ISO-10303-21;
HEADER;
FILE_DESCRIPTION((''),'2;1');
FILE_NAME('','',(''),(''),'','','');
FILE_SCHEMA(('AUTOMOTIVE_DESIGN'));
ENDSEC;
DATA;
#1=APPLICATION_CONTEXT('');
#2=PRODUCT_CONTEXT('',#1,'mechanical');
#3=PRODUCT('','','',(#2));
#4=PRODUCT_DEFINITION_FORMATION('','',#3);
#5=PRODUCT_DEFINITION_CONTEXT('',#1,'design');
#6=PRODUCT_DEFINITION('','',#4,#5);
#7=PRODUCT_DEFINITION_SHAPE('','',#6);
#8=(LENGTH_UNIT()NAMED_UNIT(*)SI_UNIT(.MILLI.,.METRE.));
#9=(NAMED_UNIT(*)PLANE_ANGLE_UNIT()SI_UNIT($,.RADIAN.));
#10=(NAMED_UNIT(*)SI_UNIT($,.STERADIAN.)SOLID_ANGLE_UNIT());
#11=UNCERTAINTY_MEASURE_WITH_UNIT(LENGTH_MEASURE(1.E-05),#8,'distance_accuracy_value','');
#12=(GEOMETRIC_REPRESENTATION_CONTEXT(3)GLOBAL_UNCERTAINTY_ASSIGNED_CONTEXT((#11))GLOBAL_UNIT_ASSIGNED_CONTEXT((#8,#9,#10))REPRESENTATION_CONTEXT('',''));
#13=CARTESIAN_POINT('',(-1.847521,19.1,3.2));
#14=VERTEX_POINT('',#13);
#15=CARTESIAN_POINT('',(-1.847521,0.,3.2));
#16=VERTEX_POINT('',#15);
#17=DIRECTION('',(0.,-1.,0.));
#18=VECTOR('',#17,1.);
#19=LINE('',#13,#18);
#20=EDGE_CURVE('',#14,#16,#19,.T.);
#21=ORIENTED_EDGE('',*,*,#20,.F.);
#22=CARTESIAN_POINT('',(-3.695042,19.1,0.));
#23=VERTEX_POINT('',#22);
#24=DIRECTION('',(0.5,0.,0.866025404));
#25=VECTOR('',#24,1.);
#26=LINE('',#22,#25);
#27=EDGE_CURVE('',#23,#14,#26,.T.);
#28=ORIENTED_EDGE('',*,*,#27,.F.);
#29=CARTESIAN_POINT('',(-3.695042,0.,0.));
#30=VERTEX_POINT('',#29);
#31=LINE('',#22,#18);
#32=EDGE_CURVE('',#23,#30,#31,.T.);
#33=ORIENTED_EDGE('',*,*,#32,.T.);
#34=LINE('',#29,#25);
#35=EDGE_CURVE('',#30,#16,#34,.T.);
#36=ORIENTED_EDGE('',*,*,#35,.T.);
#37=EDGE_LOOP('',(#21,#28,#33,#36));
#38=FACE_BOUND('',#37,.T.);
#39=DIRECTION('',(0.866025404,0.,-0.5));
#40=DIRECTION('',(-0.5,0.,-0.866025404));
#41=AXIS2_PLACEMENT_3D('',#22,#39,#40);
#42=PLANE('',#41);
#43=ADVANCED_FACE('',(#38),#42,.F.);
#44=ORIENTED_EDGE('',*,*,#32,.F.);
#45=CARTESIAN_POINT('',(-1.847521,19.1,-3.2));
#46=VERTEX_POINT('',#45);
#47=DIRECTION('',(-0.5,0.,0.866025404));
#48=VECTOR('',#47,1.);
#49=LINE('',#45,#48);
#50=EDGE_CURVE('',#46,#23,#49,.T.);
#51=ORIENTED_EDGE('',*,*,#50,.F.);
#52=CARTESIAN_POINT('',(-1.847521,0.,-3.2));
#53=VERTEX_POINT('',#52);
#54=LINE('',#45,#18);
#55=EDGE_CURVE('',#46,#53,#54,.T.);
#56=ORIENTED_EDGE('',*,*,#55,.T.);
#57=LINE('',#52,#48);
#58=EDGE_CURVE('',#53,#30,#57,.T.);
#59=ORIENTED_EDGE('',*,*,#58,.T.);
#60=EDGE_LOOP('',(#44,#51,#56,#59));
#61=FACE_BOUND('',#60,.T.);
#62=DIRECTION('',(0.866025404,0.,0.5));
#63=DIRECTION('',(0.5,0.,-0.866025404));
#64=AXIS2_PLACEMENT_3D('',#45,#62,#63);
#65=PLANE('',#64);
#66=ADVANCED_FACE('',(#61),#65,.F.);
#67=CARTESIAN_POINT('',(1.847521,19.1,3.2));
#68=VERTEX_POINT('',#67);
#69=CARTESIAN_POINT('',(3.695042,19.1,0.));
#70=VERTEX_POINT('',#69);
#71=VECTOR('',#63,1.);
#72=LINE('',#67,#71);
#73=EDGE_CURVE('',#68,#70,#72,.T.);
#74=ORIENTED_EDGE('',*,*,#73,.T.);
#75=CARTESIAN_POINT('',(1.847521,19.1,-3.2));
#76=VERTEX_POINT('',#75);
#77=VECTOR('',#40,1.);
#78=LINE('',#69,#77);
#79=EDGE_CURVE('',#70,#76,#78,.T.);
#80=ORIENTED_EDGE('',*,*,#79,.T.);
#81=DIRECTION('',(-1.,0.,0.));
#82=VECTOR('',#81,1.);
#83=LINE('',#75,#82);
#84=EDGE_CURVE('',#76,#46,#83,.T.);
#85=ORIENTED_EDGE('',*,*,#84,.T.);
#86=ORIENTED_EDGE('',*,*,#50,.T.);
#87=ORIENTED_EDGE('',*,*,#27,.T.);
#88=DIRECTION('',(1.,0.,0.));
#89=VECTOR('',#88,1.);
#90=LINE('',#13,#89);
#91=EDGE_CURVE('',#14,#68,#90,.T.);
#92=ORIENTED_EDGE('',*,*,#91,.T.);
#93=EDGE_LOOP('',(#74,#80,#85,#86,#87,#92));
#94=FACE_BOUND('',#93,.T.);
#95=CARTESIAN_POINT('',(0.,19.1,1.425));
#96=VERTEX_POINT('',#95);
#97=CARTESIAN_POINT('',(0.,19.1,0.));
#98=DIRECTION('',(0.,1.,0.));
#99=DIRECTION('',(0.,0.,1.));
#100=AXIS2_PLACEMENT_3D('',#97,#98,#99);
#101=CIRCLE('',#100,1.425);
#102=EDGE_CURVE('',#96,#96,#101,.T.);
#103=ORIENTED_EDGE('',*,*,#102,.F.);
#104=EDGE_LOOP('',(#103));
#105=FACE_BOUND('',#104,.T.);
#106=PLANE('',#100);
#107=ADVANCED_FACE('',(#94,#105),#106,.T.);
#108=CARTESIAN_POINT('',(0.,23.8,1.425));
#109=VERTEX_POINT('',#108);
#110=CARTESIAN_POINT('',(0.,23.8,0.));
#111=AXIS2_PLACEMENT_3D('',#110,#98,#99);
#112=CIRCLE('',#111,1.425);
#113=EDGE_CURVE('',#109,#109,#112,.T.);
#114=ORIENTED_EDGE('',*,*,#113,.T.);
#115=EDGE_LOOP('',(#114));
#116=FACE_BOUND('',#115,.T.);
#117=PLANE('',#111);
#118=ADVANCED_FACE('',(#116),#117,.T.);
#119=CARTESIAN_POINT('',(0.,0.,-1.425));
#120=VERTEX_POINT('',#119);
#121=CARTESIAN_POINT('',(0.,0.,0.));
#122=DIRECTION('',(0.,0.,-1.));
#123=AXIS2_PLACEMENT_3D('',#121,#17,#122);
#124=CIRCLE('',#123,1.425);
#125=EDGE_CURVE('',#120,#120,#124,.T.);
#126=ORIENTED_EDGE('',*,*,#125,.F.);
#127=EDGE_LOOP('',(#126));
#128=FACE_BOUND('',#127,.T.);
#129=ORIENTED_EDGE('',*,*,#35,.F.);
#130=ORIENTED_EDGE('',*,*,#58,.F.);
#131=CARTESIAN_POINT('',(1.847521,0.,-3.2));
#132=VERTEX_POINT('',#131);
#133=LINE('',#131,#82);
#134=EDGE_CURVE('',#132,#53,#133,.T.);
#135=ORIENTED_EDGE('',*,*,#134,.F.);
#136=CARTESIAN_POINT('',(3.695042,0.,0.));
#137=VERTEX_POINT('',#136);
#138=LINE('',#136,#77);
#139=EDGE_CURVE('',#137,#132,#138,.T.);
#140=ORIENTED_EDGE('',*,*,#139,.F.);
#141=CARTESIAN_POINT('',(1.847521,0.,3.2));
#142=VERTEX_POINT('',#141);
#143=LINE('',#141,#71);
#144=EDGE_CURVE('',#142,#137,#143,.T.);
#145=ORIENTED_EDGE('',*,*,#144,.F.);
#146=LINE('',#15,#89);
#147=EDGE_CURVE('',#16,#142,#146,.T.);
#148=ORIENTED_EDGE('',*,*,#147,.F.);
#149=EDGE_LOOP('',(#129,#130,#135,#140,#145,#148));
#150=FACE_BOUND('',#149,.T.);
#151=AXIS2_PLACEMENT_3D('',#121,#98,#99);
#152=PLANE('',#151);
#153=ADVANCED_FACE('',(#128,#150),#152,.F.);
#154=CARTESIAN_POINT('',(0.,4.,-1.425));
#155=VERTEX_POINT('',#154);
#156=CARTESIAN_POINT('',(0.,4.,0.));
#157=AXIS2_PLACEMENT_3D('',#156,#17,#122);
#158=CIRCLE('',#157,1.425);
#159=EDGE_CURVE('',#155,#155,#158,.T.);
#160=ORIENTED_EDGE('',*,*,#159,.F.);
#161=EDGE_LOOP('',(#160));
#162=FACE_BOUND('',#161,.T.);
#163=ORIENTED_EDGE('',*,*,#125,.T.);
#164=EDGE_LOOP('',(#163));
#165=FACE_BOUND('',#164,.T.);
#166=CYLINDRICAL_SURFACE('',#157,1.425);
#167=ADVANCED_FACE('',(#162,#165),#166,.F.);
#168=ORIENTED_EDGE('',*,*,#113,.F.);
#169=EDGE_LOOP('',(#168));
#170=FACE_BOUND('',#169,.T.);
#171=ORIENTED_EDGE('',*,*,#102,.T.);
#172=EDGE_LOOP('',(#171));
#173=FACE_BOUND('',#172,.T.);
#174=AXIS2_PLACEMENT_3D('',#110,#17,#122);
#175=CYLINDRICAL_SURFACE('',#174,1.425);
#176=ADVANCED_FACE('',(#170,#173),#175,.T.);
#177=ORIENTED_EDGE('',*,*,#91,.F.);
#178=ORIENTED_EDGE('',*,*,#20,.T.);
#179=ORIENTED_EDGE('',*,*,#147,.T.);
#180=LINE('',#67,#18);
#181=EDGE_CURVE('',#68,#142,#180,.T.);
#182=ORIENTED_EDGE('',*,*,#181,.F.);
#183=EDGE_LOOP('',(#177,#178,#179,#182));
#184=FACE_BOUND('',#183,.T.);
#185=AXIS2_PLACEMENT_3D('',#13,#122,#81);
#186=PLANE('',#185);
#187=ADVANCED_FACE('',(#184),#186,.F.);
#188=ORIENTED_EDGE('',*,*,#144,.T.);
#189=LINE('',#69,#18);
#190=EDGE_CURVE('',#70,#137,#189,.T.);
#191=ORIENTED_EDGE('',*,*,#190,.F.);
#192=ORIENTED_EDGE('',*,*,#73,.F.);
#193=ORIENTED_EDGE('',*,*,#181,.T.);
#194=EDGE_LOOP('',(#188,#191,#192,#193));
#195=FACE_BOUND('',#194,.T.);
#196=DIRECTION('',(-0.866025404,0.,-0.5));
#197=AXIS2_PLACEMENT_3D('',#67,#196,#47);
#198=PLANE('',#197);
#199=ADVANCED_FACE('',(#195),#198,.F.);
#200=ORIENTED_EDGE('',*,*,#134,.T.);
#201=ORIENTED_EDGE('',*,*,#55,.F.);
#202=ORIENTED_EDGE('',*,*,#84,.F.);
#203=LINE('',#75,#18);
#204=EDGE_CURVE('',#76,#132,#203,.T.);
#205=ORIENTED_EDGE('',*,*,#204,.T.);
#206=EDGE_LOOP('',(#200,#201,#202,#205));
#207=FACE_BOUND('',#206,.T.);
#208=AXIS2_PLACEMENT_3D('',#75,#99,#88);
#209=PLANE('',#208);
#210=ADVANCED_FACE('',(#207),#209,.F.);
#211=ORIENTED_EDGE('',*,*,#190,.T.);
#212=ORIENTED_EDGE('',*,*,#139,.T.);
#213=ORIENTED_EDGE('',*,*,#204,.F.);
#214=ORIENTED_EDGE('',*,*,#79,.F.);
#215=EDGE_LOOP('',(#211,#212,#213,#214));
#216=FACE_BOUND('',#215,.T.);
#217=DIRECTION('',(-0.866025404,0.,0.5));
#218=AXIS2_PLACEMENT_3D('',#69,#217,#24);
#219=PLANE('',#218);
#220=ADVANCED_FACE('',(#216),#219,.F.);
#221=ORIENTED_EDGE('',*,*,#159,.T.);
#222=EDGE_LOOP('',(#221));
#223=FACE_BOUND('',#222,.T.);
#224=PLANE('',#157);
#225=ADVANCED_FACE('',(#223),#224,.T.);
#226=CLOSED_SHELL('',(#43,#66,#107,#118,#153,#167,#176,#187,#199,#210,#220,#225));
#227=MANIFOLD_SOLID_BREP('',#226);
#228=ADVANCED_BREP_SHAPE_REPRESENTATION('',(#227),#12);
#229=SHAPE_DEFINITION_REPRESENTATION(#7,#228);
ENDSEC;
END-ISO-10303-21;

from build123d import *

# Parameters (mm, degrees)
BOSS_EXTRUDE1_DEPTH = 19.1
SKETCH2_R           = 1.425
BOSS_EXTRUDE2_DEPTH = 4.7
SKETCH3_R           = 1.425
CUT_EXTRUDE1_DEPTH  = 4


with BuildPart() as part:
    # Sketch1 → Boss-Extrude1 (new body)
    with BuildSketch(Plane(origin=(0, 0, 0), x_dir=(1, 0, 0), z_dir=(0, 1, 0))):
        Polygon((1.847520861, 3.2), (-1.847520861, 3.2), (-3.695041723, 0), (-1.847520861, -3.2), (1.847520861, -3.2), (3.695041723, 0), align=None)
    extrude(amount=BOSS_EXTRUDE1_DEPTH)

    # Sketch2 → Boss-Extrude2 (add)
    with BuildSketch(Plane(origin=(0, 19.1, 0), x_dir=(1, 0, 0), z_dir=(0, 1, 0))):
        with Locations(Location((0, 0, 0), (0, 0, 270))):
            Circle(SKETCH2_R)
    extrude(amount=BOSS_EXTRUDE2_DEPTH)

    # Sketch3 → Cut-Extrude1 (cut)
    with BuildSketch(Plane.XZ):
        with Locations(Location((0, 0, 0), (0, 0, 90))):
            Circle(SKETCH3_R)
    extrude(amount=-CUT_EXTRUDE1_DEPTH, mode=Mode.SUBTRACT)


solid = part.part
